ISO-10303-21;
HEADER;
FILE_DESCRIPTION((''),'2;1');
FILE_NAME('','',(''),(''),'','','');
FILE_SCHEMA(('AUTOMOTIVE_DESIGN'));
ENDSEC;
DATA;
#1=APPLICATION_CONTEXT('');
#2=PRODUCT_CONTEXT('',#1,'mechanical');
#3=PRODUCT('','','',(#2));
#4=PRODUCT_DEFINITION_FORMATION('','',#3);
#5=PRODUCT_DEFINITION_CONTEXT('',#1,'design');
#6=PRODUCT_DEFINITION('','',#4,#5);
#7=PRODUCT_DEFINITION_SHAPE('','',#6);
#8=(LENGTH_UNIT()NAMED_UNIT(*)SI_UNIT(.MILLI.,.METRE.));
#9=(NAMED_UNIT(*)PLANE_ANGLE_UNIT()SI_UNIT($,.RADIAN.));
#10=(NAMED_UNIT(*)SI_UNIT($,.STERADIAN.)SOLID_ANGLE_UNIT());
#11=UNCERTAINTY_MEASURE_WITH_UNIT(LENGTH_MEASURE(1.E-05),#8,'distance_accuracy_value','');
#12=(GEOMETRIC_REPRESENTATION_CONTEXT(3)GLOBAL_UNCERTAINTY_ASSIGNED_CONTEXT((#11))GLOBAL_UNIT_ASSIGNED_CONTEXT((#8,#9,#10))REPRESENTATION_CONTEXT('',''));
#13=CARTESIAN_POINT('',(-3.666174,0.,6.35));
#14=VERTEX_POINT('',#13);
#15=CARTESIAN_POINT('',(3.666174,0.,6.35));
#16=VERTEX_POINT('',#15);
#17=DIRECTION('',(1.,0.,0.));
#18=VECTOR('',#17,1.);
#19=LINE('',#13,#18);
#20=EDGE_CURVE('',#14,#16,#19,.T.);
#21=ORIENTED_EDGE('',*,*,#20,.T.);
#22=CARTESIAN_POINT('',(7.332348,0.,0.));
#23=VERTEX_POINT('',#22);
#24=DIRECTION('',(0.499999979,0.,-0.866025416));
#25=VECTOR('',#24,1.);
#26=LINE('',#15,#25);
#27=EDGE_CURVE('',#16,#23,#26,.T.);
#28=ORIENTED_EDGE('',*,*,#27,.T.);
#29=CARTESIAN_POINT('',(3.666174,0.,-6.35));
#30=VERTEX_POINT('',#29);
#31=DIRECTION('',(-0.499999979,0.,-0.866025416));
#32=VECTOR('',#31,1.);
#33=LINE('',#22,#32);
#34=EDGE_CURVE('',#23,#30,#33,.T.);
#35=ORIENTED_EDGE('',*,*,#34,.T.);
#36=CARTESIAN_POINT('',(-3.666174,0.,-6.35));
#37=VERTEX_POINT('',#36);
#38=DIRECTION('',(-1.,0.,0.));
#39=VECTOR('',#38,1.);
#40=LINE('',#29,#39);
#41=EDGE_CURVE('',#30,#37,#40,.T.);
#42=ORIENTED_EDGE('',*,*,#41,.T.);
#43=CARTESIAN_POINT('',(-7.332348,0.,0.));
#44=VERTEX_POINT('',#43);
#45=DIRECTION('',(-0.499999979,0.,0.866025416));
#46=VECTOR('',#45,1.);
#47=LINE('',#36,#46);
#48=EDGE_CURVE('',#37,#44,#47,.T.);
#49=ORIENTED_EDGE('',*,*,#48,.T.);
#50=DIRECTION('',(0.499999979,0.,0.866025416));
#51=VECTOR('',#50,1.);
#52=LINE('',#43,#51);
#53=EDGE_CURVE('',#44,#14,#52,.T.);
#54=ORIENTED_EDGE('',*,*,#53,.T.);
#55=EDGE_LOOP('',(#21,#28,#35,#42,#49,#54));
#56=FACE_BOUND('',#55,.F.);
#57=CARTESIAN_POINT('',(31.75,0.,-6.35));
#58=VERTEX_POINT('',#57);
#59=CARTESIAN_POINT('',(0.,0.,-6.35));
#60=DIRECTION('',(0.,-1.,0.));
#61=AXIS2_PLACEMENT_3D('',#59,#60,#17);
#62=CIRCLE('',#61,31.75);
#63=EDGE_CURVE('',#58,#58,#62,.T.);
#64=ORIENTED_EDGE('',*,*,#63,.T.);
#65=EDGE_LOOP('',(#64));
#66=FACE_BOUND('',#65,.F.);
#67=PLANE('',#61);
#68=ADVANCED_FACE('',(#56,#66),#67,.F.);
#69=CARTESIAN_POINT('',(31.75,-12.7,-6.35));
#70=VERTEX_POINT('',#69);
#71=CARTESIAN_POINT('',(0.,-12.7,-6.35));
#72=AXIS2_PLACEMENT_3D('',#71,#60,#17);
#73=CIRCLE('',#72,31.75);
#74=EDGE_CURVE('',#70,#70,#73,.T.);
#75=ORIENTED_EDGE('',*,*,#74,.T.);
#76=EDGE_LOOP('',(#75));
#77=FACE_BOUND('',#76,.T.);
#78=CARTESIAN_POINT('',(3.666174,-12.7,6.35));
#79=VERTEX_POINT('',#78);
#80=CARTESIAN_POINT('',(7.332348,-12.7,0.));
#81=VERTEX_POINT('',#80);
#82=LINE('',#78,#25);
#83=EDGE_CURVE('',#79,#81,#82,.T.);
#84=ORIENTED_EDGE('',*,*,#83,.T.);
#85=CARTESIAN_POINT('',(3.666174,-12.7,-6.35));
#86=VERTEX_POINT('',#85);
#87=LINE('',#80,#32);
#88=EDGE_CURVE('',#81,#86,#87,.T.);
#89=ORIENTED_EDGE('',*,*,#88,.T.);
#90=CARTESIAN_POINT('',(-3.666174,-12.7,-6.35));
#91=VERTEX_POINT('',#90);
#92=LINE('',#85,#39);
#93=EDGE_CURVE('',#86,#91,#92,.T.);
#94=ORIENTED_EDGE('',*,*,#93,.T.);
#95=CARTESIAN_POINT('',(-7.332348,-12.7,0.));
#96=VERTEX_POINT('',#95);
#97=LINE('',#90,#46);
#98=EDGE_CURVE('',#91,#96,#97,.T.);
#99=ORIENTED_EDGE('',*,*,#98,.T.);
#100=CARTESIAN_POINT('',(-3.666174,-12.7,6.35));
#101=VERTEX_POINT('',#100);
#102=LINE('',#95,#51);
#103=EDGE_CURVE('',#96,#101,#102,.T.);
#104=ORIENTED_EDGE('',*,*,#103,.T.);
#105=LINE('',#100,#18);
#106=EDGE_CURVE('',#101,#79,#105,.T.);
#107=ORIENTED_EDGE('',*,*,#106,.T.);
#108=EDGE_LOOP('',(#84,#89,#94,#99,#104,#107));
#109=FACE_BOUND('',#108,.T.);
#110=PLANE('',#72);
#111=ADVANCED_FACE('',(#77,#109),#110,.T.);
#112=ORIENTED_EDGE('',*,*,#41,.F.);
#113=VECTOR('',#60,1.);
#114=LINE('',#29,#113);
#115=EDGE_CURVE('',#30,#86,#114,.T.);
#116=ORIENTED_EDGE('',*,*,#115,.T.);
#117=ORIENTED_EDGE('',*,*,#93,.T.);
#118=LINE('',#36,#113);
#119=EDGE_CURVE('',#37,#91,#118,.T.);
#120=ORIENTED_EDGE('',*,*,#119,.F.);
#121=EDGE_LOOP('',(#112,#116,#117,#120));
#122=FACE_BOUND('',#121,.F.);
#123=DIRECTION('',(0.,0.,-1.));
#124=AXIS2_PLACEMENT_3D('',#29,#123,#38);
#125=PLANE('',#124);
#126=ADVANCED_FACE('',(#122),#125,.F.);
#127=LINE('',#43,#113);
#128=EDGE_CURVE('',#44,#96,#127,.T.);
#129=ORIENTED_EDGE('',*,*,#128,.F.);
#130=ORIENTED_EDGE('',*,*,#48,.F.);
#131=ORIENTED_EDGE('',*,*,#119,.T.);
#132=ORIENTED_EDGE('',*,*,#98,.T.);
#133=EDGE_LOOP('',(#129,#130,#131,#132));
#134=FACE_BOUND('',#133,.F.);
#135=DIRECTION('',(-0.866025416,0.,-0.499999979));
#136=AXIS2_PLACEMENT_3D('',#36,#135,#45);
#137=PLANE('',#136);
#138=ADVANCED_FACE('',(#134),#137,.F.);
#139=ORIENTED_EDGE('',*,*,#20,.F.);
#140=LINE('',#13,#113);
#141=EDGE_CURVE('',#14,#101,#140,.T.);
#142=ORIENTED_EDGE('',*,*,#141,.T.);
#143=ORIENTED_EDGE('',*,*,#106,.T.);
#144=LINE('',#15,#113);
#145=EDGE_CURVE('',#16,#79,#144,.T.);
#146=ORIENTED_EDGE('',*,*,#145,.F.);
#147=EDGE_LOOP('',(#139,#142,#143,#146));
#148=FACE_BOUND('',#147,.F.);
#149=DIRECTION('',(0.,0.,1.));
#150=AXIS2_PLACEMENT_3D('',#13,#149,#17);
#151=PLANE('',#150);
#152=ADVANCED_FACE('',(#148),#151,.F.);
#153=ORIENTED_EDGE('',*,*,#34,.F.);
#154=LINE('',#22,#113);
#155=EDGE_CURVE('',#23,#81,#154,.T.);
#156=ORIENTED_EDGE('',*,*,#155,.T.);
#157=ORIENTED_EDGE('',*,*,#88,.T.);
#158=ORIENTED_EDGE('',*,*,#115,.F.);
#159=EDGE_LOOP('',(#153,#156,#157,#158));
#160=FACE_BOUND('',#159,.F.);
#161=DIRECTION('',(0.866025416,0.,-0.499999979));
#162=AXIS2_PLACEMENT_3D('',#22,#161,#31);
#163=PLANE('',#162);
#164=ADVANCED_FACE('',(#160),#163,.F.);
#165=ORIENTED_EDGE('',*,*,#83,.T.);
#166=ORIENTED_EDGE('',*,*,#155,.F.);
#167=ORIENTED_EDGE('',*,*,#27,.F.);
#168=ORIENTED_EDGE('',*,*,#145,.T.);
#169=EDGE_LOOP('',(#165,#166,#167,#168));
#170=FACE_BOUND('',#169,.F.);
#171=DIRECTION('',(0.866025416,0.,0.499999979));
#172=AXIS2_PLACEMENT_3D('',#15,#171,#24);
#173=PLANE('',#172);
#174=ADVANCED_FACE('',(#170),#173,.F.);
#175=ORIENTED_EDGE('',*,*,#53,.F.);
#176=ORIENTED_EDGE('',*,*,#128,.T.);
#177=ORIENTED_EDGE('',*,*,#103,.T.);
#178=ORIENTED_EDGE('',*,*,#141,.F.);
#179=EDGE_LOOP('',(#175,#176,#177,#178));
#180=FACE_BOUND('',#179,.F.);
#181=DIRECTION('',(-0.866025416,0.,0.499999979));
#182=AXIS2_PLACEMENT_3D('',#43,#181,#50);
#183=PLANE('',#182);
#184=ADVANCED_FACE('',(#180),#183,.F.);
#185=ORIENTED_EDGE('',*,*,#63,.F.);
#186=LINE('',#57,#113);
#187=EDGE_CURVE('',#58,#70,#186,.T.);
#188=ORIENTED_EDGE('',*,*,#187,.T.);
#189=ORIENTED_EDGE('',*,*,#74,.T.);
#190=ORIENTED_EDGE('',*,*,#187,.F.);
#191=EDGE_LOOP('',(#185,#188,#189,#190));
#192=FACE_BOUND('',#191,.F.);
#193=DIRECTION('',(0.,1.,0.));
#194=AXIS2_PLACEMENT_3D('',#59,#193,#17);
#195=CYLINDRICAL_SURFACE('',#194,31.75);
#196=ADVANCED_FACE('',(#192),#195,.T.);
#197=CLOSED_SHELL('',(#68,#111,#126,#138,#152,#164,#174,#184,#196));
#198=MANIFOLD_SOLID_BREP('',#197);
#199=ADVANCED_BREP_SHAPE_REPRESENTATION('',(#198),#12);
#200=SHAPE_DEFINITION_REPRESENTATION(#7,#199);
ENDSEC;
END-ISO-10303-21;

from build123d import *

# Parameters (mm, degrees)
F0_R     = 31.75
F1_DEPTH = 12.7


with BuildPart() as f1:
    # F0 (on Front) → F1 (new body)
    with BuildSketch(Plane.XZ):
        with Locations((0, -6.35)):
            Circle(F0_R)
        Polygon((-3.666174, -6.35), (-7.332348, 0), (-3.666174, 6.35), (3.666174, 6.35), (7.332348, 0), (3.666174, -6.35), align=None, mode=Mode.SUBTRACT)
    extrude(amount=F1_DEPTH)


solid = f1.part
